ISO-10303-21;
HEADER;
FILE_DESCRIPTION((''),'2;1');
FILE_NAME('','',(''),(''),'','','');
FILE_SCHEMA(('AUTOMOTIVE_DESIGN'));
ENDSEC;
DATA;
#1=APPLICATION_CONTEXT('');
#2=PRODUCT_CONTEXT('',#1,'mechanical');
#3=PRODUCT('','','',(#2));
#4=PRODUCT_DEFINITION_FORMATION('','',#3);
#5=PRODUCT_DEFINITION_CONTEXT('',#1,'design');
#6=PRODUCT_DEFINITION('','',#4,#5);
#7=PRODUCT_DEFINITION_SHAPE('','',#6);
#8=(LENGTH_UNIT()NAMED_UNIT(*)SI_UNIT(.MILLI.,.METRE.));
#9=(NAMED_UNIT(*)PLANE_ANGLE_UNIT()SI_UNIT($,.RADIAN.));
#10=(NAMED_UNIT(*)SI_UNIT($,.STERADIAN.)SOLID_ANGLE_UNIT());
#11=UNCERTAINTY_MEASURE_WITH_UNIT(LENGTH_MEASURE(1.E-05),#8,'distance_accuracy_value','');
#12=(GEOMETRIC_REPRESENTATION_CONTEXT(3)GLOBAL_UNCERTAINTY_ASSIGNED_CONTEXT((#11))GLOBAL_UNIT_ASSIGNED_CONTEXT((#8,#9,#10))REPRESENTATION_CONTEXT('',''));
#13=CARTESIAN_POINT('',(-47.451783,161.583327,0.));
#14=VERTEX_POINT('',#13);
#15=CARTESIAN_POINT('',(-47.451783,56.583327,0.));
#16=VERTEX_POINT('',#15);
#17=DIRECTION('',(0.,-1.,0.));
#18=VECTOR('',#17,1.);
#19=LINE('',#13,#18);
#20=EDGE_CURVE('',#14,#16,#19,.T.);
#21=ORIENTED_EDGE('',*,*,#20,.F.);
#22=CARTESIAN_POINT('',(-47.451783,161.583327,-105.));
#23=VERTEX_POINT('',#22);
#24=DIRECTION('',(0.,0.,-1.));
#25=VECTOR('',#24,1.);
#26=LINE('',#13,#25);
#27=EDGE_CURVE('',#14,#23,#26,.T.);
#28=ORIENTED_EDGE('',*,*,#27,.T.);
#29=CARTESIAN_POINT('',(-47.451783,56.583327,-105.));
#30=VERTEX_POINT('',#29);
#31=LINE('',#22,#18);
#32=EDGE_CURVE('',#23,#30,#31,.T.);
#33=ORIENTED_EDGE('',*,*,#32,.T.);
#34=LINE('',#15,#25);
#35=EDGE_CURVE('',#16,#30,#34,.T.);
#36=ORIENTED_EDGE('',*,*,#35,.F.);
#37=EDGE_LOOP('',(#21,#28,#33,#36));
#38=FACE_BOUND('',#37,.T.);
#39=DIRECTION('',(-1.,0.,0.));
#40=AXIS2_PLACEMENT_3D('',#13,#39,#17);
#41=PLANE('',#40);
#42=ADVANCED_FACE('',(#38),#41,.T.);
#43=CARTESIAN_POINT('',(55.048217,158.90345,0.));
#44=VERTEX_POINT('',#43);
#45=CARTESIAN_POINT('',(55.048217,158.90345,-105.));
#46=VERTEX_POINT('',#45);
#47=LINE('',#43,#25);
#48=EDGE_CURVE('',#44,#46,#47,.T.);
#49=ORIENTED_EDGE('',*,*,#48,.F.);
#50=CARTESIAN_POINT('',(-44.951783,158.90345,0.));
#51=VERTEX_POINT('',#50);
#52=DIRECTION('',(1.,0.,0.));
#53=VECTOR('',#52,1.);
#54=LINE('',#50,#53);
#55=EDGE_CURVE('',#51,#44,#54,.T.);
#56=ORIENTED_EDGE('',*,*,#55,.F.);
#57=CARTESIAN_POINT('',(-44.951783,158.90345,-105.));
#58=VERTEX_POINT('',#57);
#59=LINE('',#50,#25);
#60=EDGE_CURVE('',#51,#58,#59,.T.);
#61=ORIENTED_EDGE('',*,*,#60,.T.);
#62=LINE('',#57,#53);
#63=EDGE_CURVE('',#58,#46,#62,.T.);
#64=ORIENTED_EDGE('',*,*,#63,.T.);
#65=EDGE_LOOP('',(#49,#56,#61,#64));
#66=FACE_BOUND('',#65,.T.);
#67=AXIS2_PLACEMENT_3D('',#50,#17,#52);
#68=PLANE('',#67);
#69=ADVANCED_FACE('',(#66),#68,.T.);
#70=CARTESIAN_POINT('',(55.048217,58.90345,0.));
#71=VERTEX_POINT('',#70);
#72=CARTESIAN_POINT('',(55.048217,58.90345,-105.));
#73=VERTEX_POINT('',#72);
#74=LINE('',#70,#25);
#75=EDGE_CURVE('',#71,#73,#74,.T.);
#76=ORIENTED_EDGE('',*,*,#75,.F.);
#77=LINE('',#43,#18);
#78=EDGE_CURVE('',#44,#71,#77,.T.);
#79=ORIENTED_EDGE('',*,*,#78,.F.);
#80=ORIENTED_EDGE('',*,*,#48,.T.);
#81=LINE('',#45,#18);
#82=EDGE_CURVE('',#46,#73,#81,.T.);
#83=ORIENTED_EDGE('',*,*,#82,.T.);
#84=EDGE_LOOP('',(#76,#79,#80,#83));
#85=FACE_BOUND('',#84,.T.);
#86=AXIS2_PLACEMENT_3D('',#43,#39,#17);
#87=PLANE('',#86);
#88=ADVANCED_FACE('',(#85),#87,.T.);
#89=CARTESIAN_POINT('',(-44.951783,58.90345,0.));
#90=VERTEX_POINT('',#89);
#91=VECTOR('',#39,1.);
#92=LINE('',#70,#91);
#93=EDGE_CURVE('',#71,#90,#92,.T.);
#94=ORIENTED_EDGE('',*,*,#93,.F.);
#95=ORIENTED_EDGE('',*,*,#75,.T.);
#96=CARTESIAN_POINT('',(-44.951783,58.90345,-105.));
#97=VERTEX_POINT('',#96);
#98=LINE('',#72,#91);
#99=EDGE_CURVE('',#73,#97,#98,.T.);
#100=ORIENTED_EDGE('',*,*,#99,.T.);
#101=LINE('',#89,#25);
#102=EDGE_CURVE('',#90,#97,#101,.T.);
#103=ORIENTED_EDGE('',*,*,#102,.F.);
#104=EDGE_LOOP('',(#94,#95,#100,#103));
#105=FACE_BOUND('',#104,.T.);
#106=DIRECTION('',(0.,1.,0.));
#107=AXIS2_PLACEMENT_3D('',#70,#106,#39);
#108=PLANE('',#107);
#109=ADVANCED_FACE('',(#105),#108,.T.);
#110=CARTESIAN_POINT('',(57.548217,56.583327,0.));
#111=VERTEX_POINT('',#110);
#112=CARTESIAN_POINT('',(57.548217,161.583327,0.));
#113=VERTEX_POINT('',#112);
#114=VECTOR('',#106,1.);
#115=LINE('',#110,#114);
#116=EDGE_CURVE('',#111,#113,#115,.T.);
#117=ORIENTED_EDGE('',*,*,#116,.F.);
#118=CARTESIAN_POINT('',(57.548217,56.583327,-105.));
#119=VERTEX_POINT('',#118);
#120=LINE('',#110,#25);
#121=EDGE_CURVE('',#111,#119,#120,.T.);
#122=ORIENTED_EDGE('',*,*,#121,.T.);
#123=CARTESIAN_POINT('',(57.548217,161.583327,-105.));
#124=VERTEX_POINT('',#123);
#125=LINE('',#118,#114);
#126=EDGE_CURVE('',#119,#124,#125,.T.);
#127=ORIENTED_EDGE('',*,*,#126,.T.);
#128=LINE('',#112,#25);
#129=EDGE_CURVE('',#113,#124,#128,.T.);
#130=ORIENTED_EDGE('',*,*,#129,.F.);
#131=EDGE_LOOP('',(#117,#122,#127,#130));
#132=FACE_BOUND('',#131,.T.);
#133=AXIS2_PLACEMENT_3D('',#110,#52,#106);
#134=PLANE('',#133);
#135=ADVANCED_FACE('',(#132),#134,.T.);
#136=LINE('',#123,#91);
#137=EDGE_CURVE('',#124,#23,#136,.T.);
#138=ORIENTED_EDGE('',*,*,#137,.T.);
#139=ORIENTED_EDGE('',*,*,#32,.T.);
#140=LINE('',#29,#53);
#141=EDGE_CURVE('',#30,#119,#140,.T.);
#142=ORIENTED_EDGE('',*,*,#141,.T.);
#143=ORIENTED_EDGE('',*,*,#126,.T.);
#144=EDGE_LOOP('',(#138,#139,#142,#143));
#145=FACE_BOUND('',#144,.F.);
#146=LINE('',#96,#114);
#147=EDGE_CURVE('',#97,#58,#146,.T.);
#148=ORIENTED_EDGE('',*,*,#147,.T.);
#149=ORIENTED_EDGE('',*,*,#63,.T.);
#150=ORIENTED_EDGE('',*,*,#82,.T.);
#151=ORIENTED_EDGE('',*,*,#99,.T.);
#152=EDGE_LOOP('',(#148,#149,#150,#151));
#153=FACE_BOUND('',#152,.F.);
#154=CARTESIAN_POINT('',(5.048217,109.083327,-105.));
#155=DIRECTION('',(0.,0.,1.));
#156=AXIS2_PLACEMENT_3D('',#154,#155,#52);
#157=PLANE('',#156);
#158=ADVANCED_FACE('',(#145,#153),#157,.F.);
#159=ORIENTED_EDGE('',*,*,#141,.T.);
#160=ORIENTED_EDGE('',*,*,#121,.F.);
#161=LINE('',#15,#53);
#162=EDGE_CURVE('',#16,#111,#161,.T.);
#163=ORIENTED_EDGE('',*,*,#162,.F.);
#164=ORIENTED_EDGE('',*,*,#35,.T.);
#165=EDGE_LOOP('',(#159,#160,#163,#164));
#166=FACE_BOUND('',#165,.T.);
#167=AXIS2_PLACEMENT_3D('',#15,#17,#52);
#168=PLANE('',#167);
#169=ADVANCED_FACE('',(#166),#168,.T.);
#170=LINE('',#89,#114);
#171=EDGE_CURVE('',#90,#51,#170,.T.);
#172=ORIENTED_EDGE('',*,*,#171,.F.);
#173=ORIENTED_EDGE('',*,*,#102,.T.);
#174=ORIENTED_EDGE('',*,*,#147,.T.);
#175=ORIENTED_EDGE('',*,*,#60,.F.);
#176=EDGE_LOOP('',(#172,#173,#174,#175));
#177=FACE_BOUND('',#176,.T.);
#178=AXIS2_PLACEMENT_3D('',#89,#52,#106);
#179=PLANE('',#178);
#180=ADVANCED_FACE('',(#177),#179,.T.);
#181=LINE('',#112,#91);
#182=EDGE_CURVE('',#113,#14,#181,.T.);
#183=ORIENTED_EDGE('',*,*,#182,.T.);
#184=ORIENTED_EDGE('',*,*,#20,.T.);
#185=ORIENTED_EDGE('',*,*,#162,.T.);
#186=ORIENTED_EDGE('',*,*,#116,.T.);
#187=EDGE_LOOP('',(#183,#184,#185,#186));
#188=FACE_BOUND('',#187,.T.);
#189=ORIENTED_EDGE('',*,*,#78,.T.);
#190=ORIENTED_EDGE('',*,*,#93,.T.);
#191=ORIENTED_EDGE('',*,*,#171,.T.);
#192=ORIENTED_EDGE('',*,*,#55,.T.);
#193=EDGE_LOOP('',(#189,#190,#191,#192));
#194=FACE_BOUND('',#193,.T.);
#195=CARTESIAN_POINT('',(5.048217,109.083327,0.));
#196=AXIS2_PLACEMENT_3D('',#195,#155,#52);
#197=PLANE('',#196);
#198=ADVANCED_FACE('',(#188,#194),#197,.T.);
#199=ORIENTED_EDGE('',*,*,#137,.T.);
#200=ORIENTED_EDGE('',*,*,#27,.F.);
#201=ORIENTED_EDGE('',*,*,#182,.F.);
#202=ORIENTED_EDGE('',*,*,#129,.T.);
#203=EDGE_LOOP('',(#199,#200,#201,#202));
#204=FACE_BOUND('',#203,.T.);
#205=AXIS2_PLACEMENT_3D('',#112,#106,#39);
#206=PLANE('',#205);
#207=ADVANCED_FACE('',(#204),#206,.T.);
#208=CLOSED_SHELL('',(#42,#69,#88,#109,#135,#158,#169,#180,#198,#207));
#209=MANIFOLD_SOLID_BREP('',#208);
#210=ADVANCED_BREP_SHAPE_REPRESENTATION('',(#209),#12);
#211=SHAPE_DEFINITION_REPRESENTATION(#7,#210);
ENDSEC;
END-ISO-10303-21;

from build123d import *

# Parameters (mm, degrees)
F1_DEPTH = 105


with BuildPart() as f1:
    # F0 (on Top) → F1 (new body)
    with BuildSketch(Plane.XY):
        Polygon((-47.451783, 161.583327), (-47.451783, 56.583327), (57.548217, 56.583327), (57.548217, 161.583327), (-44.951783, 161.583327), align=None)
        Polygon((-44.951783, 109.083327), (-44.951783, 158.90345), (55.048217, 158.90345), (55.048217, 58.90345), (-44.951783, 58.90345), align=None, mode=Mode.SUBTRACT)
    extrude(amount=-F1_DEPTH)


solid = f1.part
